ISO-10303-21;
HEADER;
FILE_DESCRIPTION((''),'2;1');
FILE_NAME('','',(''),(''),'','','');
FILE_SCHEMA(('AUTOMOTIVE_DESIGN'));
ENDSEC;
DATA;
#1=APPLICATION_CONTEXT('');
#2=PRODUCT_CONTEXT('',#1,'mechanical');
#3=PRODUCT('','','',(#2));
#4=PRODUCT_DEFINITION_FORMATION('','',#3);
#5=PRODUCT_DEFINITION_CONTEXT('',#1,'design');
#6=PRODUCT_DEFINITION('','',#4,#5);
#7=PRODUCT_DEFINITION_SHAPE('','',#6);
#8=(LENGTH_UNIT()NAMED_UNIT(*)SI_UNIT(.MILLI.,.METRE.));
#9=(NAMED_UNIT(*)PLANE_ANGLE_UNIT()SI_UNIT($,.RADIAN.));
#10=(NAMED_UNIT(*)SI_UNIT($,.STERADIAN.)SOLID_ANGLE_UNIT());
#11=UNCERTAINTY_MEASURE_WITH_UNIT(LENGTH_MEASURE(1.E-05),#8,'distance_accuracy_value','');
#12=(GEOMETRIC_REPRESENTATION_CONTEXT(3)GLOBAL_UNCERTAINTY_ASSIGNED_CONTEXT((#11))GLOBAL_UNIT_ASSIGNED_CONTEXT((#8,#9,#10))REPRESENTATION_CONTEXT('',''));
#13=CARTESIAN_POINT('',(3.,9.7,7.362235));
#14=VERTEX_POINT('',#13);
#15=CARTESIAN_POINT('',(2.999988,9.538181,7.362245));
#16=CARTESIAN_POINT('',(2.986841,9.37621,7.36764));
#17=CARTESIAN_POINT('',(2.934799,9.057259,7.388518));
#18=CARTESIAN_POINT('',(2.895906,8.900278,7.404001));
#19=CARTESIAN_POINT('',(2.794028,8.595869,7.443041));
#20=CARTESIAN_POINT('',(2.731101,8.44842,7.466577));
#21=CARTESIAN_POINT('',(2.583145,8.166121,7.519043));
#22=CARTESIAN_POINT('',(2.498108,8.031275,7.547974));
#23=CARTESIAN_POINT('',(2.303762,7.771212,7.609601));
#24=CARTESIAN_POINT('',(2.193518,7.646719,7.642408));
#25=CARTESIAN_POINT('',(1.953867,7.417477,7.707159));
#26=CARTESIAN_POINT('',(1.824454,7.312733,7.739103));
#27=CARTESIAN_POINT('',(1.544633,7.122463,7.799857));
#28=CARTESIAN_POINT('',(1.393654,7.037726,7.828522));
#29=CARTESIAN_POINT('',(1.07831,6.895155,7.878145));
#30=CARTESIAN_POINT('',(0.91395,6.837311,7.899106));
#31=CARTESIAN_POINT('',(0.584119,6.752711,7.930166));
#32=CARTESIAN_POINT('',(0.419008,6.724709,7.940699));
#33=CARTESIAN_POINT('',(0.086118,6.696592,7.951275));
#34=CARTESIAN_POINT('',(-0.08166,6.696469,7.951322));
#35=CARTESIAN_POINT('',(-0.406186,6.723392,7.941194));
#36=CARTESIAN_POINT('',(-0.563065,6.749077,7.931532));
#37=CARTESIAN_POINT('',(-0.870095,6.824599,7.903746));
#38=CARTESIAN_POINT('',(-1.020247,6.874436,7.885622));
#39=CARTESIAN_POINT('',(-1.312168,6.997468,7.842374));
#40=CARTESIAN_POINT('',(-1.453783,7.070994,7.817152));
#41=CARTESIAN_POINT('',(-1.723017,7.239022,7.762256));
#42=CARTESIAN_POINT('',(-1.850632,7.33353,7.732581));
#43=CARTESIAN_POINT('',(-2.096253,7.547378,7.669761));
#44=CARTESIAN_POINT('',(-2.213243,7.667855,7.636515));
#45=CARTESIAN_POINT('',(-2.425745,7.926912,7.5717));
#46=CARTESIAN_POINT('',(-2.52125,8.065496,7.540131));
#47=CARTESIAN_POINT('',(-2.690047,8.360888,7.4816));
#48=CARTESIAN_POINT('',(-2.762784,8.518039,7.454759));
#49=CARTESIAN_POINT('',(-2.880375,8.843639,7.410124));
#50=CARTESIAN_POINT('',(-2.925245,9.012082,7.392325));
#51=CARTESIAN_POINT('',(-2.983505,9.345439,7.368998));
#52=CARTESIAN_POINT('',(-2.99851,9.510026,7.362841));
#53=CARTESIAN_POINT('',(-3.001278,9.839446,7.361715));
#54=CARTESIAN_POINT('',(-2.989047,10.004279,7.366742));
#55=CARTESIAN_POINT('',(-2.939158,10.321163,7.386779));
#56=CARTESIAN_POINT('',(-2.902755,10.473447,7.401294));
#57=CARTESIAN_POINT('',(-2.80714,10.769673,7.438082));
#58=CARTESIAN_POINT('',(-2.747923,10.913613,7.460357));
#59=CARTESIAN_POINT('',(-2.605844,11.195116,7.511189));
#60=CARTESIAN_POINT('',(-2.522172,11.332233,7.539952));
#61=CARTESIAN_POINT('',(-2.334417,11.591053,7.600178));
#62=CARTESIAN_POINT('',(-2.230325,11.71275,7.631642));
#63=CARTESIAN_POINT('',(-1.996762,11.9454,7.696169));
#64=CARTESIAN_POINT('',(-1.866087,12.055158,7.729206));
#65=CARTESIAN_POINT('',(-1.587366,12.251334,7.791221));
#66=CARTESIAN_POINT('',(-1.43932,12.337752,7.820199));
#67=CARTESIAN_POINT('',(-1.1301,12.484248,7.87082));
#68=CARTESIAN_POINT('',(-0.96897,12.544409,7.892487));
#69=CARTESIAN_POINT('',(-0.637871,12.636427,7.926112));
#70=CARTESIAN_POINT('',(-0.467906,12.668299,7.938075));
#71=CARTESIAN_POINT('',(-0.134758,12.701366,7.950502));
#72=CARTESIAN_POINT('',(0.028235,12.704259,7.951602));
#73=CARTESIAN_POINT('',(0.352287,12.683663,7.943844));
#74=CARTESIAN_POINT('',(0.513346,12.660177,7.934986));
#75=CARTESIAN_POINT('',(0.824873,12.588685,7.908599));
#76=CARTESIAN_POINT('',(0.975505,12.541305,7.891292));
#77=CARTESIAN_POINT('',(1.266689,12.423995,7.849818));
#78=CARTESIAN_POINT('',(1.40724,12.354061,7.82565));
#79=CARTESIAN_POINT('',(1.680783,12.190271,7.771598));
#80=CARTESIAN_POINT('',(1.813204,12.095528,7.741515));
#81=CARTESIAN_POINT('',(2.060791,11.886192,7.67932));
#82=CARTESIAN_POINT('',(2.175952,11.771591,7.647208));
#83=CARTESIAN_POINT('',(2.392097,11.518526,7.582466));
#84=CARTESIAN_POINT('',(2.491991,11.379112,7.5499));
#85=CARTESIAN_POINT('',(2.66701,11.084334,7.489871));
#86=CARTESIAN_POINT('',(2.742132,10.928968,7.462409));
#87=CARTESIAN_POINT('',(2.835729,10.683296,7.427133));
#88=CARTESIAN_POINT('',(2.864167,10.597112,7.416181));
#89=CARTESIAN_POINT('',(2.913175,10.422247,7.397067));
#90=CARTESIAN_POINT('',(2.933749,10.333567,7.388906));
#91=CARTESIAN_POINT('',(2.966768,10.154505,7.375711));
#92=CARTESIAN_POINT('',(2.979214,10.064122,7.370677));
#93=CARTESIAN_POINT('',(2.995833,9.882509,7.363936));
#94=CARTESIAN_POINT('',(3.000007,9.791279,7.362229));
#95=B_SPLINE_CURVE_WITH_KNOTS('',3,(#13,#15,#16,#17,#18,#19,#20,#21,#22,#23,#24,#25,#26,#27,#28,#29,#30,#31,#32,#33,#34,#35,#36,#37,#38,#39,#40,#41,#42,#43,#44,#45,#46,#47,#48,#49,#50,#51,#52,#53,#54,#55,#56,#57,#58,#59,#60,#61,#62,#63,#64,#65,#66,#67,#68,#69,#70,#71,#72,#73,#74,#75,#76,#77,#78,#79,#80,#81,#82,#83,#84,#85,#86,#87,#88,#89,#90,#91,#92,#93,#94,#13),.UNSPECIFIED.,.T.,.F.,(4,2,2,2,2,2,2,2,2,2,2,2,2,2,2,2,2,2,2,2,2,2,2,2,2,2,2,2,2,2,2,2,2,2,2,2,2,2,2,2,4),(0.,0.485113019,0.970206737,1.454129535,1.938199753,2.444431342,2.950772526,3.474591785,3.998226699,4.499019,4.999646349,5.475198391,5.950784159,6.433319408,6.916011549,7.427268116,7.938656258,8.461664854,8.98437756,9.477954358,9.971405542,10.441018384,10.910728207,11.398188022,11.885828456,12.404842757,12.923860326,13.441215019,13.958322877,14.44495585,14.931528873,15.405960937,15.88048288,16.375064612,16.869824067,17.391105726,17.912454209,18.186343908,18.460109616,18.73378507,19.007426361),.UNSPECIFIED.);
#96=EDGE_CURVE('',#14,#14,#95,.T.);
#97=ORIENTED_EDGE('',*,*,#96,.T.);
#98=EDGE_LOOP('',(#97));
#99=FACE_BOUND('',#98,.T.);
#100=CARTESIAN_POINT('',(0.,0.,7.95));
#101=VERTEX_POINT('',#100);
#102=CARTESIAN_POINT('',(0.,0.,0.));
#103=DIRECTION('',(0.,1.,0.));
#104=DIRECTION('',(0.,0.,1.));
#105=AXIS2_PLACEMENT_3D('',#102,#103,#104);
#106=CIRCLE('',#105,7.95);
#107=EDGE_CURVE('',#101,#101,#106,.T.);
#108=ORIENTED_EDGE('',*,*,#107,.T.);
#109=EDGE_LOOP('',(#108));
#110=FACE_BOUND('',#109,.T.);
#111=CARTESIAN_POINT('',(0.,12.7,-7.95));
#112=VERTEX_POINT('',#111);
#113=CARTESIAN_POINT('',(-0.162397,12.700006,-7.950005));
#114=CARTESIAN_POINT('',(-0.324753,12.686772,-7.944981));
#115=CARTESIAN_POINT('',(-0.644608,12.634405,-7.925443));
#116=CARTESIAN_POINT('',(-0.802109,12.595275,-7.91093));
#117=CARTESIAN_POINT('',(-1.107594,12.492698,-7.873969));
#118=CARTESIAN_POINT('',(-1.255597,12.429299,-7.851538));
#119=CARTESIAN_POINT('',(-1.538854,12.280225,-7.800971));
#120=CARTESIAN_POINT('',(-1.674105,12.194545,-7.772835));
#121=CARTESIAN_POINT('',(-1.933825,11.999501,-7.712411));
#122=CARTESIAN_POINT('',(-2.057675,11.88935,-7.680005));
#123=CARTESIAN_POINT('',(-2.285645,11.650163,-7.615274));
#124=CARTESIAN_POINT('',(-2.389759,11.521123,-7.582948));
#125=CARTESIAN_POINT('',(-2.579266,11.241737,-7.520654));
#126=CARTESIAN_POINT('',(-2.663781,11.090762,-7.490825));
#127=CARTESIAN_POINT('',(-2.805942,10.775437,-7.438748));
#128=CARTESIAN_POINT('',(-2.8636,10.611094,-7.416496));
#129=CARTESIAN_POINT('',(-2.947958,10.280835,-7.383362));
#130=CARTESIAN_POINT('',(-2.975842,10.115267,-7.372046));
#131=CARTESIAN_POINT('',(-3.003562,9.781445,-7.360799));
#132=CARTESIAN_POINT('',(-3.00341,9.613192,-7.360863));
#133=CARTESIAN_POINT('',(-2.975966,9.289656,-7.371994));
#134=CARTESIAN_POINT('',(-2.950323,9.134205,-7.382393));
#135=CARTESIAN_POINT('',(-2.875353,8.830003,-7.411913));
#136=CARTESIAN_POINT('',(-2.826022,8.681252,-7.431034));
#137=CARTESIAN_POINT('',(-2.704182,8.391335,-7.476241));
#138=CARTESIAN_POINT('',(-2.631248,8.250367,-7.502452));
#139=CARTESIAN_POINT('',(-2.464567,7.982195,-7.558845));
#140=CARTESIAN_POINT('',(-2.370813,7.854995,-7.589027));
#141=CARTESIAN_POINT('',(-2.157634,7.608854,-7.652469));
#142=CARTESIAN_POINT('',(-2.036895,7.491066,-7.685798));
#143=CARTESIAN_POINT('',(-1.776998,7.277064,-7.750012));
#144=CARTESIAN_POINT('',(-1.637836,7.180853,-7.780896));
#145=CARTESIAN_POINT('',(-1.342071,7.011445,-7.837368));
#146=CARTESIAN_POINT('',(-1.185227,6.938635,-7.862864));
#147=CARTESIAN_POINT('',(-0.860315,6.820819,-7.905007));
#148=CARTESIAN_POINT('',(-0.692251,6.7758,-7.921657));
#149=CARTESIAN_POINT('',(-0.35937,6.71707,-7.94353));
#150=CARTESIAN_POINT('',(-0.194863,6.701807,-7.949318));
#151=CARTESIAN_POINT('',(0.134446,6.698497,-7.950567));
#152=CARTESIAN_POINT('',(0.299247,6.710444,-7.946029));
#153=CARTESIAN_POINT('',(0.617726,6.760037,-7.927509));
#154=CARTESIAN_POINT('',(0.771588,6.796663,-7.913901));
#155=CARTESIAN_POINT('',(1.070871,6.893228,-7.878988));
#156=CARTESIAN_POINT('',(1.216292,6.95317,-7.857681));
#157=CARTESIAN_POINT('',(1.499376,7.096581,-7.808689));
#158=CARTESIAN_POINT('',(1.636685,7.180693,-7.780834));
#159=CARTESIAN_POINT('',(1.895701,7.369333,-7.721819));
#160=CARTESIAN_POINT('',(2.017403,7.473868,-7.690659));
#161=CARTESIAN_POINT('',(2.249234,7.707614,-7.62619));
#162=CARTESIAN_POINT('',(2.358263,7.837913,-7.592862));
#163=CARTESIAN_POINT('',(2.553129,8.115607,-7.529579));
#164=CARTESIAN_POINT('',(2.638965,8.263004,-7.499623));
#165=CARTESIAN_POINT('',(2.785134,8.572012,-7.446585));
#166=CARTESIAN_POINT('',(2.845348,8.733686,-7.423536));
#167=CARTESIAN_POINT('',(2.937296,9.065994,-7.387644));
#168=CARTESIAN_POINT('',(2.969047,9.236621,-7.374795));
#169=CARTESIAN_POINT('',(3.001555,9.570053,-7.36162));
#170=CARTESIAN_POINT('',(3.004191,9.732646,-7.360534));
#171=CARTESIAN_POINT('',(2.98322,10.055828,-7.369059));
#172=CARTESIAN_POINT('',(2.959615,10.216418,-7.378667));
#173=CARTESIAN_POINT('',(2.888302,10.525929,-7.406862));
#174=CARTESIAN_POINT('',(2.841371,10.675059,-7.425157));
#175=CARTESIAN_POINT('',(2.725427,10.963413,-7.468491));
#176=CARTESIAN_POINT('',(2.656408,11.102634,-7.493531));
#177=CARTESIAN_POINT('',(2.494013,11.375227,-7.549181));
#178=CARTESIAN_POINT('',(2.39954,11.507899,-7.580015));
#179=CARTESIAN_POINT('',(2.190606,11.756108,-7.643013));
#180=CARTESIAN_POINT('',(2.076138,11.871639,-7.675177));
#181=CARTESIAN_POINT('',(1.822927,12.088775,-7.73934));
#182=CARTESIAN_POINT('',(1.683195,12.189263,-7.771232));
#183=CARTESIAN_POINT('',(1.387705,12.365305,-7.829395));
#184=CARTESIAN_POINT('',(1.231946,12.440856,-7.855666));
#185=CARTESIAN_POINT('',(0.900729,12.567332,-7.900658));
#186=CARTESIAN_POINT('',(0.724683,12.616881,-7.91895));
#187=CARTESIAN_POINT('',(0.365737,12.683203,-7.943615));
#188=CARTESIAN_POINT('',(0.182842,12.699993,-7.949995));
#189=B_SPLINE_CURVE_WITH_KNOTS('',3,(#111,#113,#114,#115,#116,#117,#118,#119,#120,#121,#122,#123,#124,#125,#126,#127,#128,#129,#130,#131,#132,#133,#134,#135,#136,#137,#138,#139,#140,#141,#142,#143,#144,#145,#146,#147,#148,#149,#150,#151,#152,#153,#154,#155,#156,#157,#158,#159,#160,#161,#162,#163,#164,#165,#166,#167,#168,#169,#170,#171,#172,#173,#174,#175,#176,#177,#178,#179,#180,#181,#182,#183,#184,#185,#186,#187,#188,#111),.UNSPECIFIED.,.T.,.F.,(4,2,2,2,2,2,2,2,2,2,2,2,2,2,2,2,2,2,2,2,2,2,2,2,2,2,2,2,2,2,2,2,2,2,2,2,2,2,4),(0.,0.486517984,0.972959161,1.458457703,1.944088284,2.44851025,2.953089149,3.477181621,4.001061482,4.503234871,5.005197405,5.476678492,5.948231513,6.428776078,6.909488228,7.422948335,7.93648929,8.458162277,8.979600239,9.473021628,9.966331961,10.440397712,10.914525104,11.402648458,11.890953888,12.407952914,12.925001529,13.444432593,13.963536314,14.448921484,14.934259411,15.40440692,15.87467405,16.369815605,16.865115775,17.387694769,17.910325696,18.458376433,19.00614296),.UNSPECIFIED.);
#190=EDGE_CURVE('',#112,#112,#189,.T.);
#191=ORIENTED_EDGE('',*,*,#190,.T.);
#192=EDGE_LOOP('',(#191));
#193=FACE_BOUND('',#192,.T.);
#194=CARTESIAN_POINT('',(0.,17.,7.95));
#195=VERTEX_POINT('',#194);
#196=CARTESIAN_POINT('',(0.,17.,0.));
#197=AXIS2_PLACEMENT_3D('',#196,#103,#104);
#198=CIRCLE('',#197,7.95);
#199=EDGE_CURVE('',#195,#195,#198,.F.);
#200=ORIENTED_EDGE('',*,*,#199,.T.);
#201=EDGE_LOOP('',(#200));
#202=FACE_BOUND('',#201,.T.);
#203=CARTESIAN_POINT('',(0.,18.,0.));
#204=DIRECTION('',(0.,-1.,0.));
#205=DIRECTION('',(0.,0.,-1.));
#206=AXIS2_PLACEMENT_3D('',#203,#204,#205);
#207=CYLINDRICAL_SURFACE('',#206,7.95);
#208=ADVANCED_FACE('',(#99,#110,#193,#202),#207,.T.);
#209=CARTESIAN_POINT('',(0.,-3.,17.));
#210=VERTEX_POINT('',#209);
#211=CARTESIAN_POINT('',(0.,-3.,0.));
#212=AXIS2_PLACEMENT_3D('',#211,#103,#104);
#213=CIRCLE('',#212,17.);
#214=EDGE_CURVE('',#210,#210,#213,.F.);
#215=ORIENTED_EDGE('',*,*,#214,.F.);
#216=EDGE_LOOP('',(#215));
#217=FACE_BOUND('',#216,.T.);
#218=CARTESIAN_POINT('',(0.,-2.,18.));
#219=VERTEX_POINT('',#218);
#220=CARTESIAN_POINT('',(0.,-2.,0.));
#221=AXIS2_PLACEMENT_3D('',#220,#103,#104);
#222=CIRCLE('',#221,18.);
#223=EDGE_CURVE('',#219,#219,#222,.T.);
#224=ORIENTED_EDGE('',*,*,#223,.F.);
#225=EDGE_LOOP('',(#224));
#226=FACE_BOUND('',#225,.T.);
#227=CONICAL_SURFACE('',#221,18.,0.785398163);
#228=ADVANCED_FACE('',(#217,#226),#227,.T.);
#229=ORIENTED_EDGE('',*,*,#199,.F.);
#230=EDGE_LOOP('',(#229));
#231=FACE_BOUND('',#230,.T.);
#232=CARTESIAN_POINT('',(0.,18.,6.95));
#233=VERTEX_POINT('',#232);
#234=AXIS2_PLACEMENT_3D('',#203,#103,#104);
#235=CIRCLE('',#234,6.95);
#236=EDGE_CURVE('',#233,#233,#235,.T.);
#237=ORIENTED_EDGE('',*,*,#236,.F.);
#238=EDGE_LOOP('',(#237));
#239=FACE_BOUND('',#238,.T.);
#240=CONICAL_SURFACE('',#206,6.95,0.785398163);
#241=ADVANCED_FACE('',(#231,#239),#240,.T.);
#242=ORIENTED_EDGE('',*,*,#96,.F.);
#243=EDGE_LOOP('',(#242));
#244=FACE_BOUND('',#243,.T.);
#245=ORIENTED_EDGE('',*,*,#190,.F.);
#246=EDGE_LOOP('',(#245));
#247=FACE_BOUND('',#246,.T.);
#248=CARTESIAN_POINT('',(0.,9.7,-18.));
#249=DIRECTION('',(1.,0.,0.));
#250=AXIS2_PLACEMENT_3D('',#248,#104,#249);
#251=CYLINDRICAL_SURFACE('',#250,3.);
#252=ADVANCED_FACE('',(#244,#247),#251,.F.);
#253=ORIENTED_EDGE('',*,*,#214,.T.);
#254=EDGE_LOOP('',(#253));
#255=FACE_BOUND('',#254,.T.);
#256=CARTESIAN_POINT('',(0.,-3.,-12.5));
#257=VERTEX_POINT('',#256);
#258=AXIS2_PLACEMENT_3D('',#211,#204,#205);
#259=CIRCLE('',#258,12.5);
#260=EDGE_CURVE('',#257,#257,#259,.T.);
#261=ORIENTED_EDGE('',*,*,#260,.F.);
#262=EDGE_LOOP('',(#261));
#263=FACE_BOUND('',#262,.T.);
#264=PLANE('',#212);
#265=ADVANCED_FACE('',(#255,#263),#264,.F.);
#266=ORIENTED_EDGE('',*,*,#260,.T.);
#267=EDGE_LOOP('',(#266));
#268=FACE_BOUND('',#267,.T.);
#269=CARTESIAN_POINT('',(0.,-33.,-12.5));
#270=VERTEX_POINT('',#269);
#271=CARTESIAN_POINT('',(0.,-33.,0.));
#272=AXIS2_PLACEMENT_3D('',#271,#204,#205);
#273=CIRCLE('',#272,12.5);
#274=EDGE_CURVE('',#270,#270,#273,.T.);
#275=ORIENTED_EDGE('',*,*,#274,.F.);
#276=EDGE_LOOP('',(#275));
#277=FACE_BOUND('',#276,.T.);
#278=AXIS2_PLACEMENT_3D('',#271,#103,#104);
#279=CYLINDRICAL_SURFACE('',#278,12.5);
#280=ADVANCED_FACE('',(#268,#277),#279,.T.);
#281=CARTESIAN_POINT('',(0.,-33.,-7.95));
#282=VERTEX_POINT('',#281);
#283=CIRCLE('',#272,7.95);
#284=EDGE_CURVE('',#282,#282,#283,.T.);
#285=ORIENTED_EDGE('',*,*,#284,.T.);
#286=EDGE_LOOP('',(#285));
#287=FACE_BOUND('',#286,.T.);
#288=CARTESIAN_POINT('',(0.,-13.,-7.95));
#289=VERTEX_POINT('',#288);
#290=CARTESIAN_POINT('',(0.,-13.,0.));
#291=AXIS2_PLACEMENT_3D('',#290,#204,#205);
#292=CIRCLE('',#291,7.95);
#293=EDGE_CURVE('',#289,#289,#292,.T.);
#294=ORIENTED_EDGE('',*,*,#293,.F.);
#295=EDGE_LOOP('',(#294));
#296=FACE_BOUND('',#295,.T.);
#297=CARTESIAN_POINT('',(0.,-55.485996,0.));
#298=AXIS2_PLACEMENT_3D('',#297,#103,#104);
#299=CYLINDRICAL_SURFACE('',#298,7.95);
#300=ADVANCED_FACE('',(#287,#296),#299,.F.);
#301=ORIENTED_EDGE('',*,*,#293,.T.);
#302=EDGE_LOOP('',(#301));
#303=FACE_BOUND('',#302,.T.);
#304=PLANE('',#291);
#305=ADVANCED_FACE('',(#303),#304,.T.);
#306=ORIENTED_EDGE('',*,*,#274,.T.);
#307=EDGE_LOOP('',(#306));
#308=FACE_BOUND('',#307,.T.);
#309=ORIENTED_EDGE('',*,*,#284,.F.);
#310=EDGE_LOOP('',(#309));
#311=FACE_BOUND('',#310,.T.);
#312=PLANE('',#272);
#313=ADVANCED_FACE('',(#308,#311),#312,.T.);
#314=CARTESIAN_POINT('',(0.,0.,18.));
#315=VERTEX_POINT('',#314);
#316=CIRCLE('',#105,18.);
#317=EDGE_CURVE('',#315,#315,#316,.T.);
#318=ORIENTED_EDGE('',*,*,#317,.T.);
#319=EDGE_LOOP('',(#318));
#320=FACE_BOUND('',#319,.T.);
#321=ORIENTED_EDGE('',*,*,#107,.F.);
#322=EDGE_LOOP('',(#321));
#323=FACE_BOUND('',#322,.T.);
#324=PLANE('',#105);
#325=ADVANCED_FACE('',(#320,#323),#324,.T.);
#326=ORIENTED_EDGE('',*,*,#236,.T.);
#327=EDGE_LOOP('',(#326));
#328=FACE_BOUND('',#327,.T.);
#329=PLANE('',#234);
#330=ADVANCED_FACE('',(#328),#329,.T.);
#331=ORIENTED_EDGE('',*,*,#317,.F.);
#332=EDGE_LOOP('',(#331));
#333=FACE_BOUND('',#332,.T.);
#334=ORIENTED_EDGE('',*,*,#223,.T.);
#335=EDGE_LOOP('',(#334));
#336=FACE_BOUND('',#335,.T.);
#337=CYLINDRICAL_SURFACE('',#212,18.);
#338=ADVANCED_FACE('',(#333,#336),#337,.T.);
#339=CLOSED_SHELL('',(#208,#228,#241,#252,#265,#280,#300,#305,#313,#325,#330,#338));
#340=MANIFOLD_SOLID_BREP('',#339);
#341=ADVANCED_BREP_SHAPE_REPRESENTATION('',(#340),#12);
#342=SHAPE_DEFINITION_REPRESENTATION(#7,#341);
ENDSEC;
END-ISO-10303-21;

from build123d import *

# Parameters (mm, degrees)
SKETCH_1_R               = 7.95
EXTRUDE_1_DEPTH          = 18
CHAMFER_2_SIZE           = 1
SKETCH_4_R               = 18
EXTRUDE_2_DEPTH          = 3
CHAMFER_1_SIZE           = 1
SKETCH_5_R               = 12.5
EXTRUDE_3_DEPTH          = 30
CUT_EXTRUDE_2_DEPTH      = 42.677331968
CUT_EXTRUDE_2_DEPTH_BACK = 42.677331968
SKETCH_9_R               = 3
CUT_EXTRUDE_START        = 30
SKETCH_10_R              = 7.95
CUT_EXTRUDE_3_DEPTH      = 20


with BuildPart() as part:
    # 草图1 → 凸台-拉伸1 (new body)
    with BuildSketch(Plane(origin=(0, 0, 0), x_dir=(1, 0, 0), z_dir=(0, 1, 0))):
        with Locations(Location((0, 0, 0), (0, 0, 270))):
            Circle(SKETCH_1_R)
    extrude(amount=EXTRUDE_1_DEPTH)

    # 倒角2
    chamfer_2_edges = [part.edges().sort_by_distance(p)[0] for p in [
        (0, 18, -7.95),
    ]]
    chamfer(chamfer_2_edges, length=CHAMFER_2_SIZE)

    # 草图4 → 凸台-拉伸2 (add)
    with BuildSketch(Plane(origin=(0, 0, 0), x_dir=(1, 0, 0), z_dir=(0, 1, 0))):
        with Locations(Location((0, 0, 0), (0, 0, 270))):
            Circle(SKETCH_4_R)
    extrude(amount=-EXTRUDE_2_DEPTH)

    # 倒角1
    chamfer_1_edges = [part.edges().sort_by_distance(p)[0] for p in [
        (0, -3, -18),
    ]]
    chamfer(chamfer_1_edges, length=CHAMFER_1_SIZE)

    # 草图5 → 凸台-拉伸3 (add)
    with BuildSketch(Plane(origin=(0, -3, 0), x_dir=(-1, 0, 0), z_dir=(0, -1, 0))):
        with Locations(Location((0, 0, 0), (0, 0, 90))):
            Circle(SKETCH_5_R)
    extrude(amount=EXTRUDE_3_DEPTH)

    # 草图9 → 切除-拉伸2 (cut, two sides: drawn at the far end of the back side and taken through both)
    with BuildSketch(Plane.XY.offset(-CUT_EXTRUDE_2_DEPTH_BACK)):
        with Locations(Location((0, 9.7, 0), (0, 0, 89.999999999))):
            Circle(SKETCH_9_R)
    extrude(amount=CUT_EXTRUDE_2_DEPTH + CUT_EXTRUDE_2_DEPTH_BACK, mode=Mode.SUBTRACT)

    # 草图10 → 切除-拉伸3 (cut)
    with BuildSketch(Plane(origin=(0, -3, 0), x_dir=(-1, 0, 0), z_dir=(0, -1, 0)).offset(CUT_EXTRUDE_START)):
        with Locations(Location((0, 0, 0), (0, 0, 270))):
            Circle(SKETCH_10_R)
    extrude(amount=-CUT_EXTRUDE_3_DEPTH, mode=Mode.SUBTRACT)


solid = part.part
